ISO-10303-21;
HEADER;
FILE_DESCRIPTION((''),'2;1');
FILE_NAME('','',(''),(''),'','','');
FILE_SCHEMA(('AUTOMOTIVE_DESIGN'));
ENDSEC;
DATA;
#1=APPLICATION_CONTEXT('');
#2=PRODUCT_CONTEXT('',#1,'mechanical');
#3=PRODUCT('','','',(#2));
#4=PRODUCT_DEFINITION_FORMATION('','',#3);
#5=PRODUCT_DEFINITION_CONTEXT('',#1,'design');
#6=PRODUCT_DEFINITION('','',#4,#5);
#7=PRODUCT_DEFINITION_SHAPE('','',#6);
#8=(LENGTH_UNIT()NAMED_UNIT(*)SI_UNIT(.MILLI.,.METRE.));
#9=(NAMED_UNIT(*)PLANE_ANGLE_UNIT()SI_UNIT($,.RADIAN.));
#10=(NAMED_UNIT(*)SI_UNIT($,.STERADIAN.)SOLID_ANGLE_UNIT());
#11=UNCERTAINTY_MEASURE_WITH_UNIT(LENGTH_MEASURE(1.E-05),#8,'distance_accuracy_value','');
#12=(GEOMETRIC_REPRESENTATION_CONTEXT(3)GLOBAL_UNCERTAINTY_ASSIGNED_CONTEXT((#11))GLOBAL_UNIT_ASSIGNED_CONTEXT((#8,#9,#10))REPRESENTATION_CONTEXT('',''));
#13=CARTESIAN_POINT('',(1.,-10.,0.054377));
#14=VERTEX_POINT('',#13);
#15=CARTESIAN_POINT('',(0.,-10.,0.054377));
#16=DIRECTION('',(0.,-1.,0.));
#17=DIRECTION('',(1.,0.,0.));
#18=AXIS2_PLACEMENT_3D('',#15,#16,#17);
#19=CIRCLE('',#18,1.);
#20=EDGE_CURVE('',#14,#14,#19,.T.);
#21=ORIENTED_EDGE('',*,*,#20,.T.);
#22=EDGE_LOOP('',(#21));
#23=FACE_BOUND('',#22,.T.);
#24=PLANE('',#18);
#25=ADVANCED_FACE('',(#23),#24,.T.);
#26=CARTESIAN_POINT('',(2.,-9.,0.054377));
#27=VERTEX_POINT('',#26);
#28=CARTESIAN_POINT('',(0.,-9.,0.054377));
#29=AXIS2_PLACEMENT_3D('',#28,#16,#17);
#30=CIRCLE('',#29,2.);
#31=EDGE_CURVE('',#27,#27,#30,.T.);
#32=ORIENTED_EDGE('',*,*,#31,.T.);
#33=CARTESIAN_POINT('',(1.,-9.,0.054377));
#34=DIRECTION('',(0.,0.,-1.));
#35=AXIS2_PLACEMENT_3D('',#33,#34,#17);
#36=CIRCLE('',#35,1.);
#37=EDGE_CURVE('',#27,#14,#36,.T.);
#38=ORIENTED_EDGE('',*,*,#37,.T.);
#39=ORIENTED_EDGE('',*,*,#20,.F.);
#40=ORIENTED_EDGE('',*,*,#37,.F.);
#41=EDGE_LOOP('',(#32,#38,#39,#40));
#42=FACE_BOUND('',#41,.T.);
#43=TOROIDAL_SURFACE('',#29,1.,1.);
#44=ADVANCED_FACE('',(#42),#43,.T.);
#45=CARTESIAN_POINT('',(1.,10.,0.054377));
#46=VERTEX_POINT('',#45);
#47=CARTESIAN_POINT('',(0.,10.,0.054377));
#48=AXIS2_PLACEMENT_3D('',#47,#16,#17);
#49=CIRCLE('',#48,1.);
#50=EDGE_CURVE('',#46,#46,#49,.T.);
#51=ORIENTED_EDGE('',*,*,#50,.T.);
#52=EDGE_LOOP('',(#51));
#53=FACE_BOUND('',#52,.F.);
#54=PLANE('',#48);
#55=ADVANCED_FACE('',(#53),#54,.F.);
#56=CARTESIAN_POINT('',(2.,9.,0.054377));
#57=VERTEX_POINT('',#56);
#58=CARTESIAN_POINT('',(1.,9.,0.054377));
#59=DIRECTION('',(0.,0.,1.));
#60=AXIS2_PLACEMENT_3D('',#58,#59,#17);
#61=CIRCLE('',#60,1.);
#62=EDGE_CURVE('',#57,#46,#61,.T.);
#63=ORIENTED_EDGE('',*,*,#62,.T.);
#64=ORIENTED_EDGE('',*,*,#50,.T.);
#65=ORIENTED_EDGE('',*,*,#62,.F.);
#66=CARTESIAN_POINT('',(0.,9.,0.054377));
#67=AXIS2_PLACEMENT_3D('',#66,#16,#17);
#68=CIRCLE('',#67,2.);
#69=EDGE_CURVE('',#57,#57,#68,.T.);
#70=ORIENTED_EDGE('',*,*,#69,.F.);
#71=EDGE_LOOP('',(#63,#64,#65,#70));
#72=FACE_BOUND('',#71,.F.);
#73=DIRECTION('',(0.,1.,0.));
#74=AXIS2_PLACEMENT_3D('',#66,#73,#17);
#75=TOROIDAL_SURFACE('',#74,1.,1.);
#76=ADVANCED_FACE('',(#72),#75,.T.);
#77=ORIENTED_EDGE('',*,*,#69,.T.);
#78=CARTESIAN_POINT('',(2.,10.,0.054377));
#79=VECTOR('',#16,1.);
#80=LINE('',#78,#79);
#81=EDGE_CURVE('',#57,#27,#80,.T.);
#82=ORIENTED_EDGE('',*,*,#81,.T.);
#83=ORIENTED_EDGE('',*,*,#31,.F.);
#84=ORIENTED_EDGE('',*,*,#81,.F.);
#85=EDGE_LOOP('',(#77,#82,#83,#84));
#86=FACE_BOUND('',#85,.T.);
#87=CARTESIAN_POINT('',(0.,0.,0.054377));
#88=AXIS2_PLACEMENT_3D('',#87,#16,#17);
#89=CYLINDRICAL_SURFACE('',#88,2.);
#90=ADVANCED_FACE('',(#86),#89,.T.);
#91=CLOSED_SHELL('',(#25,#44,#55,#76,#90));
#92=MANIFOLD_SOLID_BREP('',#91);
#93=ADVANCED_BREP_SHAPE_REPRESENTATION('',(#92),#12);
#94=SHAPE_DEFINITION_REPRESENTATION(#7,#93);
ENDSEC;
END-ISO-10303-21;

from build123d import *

# Parameters (mm, degrees)
F0_R     = 2
F1_DEPTH = 10
F2_DEPTH = 10
F3_R     = 1


with BuildPart() as f1:
    # F0 (on Front) → F1 (new body, symmetric)
    with BuildSketch(Plane.XZ):
        with Locations((0, 0.054377)):
            Circle(F0_R)
    extrude(amount=F1_DEPTH, both=True)

    # F0 (on Front) → F2 (join, symmetric)
    with BuildSketch(Plane.XZ):
        with Locations((0, 0.054377)):
            Circle(F0_R)
    extrude(amount=F2_DEPTH, both=True)

    # F3
    f3_edges = [f1.edges().sort_by_distance(p)[0] for p in [
        (-2, -10, 0.054377),
        (-2, 10, 0.054377),
    ]]
    fillet(f3_edges, radius=F3_R)


solid = f1.part
